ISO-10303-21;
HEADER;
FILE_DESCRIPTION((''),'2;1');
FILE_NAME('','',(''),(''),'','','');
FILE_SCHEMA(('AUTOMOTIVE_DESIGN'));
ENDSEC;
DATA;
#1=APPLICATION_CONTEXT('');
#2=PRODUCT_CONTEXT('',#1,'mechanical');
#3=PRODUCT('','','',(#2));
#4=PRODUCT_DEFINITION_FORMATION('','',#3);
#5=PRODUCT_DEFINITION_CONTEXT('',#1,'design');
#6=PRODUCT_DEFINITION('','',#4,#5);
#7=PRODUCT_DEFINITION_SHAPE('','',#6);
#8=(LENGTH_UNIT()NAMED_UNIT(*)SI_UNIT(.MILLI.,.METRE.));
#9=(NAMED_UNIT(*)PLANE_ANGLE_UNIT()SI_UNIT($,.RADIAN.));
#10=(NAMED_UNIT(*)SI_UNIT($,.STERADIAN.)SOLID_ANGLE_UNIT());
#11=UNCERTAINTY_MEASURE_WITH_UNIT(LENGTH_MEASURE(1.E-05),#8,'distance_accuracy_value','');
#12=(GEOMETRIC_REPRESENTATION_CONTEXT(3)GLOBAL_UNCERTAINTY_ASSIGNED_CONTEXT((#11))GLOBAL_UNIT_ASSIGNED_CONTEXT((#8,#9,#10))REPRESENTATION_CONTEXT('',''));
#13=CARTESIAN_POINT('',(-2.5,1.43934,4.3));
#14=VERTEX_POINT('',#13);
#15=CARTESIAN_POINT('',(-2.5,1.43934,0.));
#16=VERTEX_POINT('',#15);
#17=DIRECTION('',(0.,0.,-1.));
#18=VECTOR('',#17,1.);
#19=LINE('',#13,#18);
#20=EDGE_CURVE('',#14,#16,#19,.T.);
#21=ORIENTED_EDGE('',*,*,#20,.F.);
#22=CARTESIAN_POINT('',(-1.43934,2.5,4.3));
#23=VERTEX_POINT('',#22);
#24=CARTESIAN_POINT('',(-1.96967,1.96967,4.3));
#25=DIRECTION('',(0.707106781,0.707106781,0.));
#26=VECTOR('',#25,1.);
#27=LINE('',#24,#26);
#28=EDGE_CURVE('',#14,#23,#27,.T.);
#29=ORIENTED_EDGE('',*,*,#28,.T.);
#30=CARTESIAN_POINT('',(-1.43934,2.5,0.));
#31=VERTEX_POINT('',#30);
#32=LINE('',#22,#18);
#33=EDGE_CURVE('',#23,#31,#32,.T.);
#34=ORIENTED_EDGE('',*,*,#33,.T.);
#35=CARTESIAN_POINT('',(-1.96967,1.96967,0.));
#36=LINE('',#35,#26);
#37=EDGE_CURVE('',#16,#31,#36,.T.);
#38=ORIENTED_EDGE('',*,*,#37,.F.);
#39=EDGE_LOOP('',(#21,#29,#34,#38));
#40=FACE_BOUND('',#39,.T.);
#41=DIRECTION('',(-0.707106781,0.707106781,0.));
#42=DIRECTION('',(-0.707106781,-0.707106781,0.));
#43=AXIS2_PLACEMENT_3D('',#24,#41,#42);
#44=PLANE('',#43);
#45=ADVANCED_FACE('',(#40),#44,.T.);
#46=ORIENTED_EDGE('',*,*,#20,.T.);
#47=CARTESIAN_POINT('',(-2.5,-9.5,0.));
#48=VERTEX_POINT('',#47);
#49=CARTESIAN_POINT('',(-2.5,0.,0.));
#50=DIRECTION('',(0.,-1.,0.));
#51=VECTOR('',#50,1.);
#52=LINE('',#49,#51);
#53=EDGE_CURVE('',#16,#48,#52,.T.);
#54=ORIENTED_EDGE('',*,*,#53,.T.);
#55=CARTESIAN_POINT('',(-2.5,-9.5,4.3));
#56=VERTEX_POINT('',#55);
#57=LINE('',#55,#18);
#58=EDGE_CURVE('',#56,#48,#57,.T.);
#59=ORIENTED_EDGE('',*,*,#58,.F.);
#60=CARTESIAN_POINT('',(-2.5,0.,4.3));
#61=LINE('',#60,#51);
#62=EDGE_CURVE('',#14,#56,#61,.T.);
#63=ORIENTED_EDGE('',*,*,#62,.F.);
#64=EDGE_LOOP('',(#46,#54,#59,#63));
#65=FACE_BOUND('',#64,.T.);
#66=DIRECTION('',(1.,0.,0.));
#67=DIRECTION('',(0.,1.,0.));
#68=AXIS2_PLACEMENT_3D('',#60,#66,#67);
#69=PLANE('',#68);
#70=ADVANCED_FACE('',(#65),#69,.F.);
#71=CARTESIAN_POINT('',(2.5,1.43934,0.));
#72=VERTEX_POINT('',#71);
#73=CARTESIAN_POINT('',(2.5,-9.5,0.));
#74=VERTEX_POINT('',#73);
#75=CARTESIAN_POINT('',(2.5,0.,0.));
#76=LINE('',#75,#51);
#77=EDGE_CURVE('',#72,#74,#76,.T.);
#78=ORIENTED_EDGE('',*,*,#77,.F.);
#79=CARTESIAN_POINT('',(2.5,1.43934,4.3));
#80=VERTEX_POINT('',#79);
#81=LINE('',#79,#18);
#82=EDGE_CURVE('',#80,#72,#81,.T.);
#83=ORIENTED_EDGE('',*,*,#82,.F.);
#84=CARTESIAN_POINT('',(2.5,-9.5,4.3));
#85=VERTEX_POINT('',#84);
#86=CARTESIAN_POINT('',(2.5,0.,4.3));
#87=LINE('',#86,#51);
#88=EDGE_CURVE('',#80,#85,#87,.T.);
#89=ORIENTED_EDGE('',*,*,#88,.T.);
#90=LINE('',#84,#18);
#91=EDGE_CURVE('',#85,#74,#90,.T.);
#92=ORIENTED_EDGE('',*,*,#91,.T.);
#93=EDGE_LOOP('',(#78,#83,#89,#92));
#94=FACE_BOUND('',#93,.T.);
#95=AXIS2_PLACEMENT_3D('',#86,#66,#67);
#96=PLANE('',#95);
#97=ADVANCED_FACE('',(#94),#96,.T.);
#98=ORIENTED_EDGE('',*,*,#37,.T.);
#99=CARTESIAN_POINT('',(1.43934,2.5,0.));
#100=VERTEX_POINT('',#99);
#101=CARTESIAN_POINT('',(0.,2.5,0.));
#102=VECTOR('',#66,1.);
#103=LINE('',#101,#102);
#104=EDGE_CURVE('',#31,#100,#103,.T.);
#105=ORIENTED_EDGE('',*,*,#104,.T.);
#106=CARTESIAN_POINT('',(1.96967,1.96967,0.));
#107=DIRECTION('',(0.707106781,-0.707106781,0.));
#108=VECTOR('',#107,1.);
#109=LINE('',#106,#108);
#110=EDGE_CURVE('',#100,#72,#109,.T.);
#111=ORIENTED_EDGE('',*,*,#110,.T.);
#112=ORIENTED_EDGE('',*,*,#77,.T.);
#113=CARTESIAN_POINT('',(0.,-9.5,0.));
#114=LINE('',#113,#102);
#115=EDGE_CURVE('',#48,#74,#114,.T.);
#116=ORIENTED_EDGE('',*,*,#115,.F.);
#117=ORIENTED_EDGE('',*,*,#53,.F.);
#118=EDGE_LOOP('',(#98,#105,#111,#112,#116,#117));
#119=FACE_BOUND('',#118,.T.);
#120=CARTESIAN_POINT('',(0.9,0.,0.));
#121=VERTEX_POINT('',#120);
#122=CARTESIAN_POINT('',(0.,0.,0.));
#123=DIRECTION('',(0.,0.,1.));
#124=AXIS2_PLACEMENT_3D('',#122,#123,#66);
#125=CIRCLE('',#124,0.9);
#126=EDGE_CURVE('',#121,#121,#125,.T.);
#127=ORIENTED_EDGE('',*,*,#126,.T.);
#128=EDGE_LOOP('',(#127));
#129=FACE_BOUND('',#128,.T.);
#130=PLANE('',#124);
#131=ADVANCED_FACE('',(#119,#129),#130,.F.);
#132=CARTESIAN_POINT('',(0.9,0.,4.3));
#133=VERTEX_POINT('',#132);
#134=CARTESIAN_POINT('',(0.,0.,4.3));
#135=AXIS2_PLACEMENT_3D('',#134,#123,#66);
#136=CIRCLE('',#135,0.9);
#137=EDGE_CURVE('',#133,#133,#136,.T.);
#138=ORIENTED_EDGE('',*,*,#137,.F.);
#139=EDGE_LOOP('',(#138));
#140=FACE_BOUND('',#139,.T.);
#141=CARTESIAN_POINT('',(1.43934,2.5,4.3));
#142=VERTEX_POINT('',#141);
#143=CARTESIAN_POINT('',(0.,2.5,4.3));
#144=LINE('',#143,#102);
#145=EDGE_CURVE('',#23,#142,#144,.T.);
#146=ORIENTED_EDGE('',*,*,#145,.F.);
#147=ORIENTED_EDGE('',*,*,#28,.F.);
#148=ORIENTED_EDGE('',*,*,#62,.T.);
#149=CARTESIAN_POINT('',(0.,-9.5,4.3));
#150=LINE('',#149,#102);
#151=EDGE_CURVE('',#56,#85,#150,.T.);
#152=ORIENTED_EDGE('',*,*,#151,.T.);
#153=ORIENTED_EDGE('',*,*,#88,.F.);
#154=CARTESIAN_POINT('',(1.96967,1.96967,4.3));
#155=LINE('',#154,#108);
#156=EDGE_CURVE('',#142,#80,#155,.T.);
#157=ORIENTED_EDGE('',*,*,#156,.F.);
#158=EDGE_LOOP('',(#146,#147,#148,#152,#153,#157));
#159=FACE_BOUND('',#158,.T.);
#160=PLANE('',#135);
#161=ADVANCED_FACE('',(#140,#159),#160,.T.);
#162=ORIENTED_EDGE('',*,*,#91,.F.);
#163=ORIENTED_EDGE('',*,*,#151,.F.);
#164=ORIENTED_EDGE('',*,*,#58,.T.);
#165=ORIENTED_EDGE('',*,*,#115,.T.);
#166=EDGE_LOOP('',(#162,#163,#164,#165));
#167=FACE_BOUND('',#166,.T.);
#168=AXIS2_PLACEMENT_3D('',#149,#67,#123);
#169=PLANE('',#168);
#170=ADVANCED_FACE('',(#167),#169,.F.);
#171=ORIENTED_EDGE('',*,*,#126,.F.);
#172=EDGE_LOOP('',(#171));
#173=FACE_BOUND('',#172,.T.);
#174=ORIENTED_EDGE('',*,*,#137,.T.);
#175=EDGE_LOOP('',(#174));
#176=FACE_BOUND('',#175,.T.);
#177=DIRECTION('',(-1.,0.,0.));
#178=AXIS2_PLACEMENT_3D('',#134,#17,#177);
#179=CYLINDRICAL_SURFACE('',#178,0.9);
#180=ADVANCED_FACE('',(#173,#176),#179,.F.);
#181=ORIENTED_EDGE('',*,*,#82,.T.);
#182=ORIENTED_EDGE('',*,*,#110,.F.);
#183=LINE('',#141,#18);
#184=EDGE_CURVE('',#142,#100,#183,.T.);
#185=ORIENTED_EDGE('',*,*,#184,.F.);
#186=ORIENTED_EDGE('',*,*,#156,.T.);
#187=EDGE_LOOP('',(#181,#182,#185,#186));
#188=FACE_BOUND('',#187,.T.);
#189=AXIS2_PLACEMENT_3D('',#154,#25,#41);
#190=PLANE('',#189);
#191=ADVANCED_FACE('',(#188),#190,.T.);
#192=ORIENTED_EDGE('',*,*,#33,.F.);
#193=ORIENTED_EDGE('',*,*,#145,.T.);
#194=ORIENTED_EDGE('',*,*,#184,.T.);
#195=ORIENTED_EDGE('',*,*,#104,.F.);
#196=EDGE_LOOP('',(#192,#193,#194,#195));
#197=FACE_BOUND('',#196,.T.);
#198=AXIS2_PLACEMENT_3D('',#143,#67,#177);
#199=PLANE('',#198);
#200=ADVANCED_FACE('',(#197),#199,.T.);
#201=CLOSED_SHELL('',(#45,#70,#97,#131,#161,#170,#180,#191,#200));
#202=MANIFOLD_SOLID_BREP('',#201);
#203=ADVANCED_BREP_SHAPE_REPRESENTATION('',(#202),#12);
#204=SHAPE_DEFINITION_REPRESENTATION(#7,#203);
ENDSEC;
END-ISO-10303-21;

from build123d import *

# Parameters (mm, degrees)
SKETCH1_R           = 0.9
BOSS_EXTRUDE1_DEPTH = 4.3


with BuildPart() as part:
    # Sketch1 → Boss-Extrude1 (new body)
    with BuildSketch(Plane.XY):
        Polygon((2.5, 1.439339828), (1.439339828, 2.5), (-1.439339828, 2.5), (-2.5, 1.439339828), (-2.5, -9.5), (2.5, -9.5), align=None)
        Circle(SKETCH1_R, mode=Mode.SUBTRACT)
    extrude(amount=BOSS_EXTRUDE1_DEPTH)


solid = part.part
